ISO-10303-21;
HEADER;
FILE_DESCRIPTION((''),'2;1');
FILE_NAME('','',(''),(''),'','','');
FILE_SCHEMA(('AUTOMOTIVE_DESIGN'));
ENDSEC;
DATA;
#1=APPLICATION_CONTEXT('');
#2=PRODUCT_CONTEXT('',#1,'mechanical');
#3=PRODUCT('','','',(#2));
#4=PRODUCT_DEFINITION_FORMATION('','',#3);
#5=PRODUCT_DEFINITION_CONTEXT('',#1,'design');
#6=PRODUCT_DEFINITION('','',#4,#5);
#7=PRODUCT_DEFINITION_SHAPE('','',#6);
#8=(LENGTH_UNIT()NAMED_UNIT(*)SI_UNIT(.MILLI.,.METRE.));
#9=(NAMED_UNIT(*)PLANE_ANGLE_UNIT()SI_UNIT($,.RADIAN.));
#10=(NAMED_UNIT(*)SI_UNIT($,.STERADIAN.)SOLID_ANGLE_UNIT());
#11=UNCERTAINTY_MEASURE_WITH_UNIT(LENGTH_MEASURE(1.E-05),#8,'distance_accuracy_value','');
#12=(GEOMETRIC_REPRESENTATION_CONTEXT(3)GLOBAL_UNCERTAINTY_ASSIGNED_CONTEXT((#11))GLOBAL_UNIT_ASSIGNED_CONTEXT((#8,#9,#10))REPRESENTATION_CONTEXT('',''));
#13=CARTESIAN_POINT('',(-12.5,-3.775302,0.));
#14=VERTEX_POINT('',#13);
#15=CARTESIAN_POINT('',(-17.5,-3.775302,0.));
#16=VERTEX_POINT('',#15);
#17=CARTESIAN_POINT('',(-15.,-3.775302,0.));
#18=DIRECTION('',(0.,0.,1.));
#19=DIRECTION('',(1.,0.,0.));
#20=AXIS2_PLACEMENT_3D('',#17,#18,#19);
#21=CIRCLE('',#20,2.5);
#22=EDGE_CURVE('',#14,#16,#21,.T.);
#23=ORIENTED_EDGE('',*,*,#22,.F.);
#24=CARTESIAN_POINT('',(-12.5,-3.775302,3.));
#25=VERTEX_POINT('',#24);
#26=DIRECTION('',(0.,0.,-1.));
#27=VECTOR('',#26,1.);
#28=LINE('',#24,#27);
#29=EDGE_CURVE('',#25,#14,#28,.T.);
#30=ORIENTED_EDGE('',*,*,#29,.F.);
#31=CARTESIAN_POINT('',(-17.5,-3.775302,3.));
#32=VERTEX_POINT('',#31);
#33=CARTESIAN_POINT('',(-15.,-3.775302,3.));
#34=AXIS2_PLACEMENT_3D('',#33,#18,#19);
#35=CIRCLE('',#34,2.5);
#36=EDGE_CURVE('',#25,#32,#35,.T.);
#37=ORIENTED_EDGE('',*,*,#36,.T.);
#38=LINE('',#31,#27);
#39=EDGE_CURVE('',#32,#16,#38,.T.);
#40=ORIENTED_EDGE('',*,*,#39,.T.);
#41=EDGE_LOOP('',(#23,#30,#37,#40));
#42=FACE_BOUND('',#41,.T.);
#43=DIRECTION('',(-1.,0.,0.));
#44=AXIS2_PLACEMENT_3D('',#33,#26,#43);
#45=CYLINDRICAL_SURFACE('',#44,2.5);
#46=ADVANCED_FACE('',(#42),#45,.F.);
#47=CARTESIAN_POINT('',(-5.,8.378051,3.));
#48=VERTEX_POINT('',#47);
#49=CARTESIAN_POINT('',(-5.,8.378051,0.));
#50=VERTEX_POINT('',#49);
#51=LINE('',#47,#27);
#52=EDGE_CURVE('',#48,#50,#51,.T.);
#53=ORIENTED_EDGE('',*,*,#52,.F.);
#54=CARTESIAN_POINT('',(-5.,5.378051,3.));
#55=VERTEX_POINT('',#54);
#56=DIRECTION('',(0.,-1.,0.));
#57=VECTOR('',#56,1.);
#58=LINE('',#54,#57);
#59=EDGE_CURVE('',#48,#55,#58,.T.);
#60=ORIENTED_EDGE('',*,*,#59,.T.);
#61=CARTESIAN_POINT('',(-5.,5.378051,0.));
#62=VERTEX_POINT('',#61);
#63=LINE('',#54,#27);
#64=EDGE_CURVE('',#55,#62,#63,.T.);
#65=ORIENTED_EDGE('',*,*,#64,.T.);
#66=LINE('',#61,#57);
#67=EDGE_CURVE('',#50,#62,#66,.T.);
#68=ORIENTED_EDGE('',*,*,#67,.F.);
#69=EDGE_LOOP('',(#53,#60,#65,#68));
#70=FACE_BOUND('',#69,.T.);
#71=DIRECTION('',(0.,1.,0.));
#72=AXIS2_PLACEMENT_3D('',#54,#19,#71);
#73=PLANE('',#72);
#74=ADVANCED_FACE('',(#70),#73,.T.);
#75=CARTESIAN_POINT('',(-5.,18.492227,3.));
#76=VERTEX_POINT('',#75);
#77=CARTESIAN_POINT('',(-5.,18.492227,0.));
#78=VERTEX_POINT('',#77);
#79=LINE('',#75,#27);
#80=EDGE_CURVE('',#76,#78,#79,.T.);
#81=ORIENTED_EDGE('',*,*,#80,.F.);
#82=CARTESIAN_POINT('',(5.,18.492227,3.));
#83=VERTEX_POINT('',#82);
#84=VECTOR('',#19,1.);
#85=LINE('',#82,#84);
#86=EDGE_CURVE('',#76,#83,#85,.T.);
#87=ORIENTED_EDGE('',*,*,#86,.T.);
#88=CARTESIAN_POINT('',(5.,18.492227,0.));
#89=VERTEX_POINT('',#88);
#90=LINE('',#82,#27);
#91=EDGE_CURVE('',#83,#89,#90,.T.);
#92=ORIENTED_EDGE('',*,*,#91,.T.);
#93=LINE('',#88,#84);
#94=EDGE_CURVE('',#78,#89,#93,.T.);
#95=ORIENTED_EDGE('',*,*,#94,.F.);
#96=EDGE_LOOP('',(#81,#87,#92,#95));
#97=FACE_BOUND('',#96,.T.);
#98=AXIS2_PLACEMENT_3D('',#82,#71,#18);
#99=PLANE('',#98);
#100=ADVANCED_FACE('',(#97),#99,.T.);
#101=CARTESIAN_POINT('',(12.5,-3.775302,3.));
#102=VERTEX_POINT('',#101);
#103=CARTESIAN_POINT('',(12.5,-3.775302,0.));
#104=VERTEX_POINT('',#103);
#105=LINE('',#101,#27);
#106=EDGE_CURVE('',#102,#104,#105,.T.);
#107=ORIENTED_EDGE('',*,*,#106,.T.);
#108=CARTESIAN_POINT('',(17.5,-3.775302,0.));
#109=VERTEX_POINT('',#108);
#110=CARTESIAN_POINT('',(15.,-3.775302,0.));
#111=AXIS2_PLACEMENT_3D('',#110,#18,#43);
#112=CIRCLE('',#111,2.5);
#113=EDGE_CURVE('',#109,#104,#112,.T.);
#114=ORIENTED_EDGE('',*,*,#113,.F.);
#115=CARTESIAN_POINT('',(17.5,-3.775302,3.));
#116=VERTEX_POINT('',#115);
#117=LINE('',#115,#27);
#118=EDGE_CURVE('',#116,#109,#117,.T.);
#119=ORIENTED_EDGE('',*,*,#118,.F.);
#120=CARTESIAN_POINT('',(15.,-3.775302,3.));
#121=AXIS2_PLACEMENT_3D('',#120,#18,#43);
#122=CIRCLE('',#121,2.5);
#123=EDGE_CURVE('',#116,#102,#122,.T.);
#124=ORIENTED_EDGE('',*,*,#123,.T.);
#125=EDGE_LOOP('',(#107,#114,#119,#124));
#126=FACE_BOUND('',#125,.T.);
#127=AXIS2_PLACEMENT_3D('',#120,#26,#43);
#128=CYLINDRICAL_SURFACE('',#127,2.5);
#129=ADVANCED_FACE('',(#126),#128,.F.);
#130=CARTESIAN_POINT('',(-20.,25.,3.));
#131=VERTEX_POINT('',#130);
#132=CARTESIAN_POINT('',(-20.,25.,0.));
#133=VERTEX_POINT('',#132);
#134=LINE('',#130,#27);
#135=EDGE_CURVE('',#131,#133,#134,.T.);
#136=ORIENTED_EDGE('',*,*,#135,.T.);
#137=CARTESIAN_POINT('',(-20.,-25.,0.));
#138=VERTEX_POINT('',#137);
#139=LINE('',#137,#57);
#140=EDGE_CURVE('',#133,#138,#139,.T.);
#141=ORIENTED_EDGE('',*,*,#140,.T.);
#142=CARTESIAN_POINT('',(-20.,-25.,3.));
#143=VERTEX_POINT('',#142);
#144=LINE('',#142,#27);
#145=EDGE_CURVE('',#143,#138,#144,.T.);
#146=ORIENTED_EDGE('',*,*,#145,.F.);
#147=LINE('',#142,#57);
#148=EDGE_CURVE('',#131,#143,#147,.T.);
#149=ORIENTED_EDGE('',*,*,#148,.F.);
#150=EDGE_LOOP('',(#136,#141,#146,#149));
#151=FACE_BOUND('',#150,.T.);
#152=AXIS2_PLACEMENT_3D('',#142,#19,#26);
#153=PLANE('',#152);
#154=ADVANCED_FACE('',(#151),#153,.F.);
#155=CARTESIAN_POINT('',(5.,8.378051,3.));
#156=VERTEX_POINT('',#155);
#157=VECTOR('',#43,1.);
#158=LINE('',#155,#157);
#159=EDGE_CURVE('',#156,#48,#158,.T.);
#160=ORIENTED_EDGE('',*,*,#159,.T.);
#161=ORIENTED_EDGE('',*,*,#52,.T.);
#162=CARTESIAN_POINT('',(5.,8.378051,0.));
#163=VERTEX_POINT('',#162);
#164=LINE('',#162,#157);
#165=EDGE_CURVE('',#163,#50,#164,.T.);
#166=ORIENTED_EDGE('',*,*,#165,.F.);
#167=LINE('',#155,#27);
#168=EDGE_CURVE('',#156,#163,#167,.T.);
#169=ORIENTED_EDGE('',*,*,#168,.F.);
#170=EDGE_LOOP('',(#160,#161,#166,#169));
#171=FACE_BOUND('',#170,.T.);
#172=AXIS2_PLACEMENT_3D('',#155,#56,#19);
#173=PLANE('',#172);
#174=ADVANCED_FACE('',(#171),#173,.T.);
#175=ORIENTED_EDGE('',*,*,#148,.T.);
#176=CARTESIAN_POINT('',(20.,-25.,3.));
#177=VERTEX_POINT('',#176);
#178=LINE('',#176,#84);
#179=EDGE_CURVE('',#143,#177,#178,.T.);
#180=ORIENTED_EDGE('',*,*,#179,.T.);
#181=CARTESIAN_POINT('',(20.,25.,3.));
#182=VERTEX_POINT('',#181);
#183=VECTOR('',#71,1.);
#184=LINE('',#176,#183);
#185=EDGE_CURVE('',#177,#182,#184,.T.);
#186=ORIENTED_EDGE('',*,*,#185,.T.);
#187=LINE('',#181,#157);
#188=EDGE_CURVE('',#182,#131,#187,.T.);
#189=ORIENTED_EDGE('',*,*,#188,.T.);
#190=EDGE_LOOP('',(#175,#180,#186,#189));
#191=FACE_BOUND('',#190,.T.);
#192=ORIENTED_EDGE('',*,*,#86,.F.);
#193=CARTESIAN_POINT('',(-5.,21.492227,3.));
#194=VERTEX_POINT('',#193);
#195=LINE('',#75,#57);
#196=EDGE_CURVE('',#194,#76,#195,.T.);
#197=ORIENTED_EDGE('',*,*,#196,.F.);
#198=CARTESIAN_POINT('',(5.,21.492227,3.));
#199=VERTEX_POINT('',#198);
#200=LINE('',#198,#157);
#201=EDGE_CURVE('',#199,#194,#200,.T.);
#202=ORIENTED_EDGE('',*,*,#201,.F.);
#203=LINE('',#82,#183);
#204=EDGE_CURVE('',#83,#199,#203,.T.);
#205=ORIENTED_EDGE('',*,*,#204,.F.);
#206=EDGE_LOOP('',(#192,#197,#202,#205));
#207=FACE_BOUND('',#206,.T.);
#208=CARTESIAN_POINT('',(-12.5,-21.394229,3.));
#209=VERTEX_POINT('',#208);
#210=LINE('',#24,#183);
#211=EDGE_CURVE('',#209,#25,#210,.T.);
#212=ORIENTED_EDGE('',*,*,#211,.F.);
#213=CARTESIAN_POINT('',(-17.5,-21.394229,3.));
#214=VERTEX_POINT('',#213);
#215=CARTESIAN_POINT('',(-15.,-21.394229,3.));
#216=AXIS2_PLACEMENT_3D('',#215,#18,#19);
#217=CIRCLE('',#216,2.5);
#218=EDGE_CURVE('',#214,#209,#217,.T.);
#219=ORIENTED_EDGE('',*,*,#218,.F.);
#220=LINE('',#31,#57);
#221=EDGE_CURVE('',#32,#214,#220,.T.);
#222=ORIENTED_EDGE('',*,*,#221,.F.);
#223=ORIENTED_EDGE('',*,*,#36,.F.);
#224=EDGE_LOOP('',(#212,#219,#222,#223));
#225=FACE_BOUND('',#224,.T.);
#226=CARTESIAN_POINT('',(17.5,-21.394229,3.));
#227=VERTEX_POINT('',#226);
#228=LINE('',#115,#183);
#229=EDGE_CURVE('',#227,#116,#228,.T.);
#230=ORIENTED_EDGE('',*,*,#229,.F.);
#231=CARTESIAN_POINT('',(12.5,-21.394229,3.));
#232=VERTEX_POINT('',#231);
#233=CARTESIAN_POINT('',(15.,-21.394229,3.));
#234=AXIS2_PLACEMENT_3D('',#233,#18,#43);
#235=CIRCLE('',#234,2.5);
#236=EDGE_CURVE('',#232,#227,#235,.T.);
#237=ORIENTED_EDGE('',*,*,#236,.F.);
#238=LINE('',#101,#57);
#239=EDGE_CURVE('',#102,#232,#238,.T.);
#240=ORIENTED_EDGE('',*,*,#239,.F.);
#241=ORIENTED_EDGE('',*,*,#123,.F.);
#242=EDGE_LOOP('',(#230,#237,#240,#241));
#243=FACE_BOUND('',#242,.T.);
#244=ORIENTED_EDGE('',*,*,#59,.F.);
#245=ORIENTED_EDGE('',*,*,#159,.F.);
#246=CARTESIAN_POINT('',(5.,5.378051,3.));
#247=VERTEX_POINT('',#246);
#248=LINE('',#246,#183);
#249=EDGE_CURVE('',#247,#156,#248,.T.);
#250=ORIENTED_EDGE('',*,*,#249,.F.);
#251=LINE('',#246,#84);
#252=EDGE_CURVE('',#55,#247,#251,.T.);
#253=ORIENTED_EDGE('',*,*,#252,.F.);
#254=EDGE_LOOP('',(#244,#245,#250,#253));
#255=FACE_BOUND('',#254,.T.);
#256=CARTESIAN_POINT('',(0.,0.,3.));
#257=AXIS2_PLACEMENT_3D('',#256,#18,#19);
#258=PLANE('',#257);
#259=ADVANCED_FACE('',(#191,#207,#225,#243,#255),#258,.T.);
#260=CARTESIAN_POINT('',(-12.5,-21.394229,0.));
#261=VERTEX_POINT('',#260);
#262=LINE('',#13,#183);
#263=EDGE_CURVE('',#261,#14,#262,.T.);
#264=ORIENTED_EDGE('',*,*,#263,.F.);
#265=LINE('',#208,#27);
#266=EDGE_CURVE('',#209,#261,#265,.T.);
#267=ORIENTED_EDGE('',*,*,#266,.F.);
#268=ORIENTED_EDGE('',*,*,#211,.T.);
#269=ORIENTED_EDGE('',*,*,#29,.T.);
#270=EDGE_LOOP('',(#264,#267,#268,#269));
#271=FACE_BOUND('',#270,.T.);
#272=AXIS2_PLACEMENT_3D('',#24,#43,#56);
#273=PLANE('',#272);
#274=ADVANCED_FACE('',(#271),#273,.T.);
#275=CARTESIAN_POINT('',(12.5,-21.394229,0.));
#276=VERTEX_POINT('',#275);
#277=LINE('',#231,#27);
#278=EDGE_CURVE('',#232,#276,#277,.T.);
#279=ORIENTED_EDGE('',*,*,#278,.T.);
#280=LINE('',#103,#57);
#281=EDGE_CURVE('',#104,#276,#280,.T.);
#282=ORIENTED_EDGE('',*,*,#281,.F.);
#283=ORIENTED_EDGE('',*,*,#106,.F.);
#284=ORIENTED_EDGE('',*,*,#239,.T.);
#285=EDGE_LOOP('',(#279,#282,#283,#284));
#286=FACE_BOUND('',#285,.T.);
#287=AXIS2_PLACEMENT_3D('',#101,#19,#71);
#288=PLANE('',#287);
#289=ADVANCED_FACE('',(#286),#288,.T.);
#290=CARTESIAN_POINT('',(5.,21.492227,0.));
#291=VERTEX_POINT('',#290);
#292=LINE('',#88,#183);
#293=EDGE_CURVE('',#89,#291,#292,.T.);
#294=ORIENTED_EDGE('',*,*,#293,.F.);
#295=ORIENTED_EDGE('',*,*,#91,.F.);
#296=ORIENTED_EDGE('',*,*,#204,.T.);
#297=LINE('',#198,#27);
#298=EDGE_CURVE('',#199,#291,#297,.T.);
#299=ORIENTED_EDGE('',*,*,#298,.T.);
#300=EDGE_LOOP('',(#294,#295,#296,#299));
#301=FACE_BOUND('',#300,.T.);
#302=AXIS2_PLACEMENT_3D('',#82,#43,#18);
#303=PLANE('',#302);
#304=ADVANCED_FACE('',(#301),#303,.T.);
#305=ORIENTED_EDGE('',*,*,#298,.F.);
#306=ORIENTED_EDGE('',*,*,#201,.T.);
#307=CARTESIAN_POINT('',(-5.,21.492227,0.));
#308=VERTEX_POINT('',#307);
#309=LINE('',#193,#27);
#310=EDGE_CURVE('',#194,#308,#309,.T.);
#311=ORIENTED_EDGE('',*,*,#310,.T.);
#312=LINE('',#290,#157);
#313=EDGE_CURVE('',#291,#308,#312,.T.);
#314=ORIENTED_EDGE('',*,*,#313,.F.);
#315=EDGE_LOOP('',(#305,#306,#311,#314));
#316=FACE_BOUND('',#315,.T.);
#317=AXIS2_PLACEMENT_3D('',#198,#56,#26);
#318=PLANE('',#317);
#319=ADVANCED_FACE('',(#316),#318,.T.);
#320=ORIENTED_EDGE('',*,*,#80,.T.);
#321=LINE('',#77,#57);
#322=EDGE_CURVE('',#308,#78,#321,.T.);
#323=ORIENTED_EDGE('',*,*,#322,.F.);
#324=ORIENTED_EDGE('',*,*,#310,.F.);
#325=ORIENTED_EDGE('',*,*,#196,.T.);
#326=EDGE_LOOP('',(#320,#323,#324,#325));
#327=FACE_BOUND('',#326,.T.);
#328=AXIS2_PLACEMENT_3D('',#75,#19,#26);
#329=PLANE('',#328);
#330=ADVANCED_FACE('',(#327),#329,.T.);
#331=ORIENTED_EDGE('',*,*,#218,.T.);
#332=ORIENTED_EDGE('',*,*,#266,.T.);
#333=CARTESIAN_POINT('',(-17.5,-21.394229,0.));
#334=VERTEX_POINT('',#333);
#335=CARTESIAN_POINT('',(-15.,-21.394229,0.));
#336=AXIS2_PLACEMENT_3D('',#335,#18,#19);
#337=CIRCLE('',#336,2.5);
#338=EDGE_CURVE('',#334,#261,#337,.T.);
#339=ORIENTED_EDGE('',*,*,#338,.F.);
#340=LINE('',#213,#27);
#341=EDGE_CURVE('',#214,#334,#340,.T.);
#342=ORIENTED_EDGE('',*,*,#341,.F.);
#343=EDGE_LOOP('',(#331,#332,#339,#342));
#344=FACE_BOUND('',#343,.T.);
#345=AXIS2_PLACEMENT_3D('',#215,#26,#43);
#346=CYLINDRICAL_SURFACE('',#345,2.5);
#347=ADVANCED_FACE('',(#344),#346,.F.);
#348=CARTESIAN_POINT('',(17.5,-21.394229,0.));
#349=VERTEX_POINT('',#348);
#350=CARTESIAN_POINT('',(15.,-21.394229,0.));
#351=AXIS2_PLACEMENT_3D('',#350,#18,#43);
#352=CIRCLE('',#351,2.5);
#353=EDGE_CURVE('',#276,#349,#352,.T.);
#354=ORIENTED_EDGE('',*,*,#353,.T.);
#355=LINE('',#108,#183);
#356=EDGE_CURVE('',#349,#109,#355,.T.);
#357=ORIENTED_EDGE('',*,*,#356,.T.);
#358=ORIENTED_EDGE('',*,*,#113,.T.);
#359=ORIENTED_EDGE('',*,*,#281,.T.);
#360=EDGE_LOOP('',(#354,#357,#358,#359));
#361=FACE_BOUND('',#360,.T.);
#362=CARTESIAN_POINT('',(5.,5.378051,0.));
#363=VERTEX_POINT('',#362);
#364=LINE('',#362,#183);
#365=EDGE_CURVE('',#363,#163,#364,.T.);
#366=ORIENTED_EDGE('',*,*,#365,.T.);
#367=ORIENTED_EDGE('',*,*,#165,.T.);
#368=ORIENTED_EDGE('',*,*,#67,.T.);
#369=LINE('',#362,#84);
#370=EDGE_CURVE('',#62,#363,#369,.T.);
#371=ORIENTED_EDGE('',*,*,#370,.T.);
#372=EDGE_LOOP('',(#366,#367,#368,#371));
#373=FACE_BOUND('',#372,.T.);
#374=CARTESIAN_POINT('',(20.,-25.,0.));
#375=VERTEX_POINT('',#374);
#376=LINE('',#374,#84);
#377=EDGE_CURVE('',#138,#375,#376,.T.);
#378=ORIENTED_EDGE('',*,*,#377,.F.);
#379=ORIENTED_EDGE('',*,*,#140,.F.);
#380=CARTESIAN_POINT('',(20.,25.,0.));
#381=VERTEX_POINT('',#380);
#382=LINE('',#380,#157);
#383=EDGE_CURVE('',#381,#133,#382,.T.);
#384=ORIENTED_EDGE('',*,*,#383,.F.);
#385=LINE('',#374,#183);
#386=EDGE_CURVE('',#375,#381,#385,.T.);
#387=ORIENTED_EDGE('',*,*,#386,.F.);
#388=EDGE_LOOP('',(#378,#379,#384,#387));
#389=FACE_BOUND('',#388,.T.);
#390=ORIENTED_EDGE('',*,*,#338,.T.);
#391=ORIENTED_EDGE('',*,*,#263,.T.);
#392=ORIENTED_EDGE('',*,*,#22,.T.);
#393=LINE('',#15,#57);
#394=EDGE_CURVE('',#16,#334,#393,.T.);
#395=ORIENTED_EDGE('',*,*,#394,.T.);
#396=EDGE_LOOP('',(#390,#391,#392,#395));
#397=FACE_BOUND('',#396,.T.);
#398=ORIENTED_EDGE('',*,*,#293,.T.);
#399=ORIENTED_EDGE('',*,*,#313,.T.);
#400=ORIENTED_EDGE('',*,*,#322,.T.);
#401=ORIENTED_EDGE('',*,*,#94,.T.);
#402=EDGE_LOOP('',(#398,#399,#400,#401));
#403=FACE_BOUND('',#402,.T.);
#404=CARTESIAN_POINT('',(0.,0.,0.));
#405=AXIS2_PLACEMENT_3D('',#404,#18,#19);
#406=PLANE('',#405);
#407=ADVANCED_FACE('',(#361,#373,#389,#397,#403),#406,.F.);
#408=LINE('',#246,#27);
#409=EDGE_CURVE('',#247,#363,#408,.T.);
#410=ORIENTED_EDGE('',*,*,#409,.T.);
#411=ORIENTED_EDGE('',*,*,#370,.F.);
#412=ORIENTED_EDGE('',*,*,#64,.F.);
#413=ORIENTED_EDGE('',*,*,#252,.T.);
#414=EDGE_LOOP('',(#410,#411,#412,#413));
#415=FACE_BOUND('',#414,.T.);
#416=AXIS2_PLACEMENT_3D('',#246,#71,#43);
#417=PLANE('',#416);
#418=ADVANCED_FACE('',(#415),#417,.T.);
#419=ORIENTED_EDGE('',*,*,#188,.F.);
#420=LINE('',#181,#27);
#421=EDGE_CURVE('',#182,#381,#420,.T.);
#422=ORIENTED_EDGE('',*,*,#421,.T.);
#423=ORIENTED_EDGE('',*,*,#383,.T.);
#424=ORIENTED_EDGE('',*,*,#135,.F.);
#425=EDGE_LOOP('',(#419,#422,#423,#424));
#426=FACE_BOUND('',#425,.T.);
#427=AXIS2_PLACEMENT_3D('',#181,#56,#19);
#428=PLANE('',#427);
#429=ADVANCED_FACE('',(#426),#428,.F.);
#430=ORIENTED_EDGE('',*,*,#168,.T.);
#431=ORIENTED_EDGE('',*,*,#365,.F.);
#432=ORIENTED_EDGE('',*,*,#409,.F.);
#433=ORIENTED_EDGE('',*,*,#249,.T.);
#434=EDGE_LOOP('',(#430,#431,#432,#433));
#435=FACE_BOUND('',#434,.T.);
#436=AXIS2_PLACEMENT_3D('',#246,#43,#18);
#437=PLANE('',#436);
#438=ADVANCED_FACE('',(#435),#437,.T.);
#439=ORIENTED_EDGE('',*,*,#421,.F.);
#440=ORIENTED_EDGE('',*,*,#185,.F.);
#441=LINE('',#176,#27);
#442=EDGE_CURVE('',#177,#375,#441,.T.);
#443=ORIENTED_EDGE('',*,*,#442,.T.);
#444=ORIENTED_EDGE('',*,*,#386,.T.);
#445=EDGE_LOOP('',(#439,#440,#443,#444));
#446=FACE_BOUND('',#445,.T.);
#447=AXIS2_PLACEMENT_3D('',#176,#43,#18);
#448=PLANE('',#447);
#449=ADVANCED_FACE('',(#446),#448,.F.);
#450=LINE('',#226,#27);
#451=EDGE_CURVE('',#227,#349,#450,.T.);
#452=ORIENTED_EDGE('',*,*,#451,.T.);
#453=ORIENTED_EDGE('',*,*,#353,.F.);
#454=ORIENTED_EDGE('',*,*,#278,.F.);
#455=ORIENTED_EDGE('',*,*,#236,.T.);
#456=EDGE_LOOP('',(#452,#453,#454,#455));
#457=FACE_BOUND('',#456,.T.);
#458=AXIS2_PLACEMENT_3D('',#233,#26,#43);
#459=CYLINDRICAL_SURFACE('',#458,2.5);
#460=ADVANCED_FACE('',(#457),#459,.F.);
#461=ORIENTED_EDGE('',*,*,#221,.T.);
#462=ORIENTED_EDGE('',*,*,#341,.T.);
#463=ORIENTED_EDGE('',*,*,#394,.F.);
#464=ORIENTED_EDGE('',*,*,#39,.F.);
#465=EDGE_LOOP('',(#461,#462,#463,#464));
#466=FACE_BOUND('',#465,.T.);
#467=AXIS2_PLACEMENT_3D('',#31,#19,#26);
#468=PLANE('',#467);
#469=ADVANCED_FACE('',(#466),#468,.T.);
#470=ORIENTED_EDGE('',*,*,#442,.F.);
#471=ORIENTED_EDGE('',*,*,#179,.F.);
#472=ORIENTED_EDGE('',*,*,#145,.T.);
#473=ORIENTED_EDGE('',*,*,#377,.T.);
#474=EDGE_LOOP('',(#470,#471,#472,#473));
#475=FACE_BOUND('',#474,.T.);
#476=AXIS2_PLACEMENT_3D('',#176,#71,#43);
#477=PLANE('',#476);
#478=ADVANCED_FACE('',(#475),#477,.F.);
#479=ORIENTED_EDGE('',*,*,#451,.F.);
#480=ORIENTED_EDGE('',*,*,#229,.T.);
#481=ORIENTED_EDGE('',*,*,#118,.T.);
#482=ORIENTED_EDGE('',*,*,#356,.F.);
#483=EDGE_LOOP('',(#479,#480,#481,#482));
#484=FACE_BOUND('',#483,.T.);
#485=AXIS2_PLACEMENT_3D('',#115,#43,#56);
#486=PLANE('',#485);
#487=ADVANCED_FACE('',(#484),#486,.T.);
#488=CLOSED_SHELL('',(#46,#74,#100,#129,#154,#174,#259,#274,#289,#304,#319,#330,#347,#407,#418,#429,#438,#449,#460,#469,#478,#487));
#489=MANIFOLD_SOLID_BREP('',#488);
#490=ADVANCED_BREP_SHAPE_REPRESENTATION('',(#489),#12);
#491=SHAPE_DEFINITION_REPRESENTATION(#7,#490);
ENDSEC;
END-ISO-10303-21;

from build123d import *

# Parameters (mm, degrees)
SKETCH1_W           = 40
SKETCH1_H           = 50
SKETCH1_W_2         = 10
SKETCH1_H_2         = 3
BOSS_EXTRUDE1_DEPTH = 3


with BuildPart() as part:
    # Sketch1 → Boss-Extrude1 (new body)
    with BuildSketch(Plane.XY):
        Rectangle(SKETCH1_W, SKETCH1_H)
        with Locations((0, 19.992227475)):
            Rectangle(SKETCH1_W_2, SKETCH1_H_2, mode=Mode.SUBTRACT)
        with Locations((0, 6.878051322)):
            Rectangle(SKETCH1_W_2, SKETCH1_H_2, mode=Mode.SUBTRACT)
        with BuildLine():
            Line((-12.5, -3.7753024), (-12.5, -21.394229107))
            ThreePointArc((-12.5, -21.394229107), (-15, -23.894229107), (-17.5, -21.394229107))
            Line((-17.5, -21.394229107), (-17.5, -3.7753024))
            ThreePointArc((-17.5, -3.7753024), (-15, -1.2753024), (-12.5, -3.7753024))
        make_face(mode=Mode.SUBTRACT)
        with BuildLine():
            Line((12.5, -3.7753024), (12.5, -21.394229107))
            ThreePointArc((12.5, -21.394229107), (15, -23.894229107), (17.5, -21.394229107))
            Line((17.5, -21.394229107), (17.5, -3.7753024))
            ThreePointArc((17.5, -3.7753024), (15, -1.2753024), (12.5, -3.7753024))
        make_face(mode=Mode.SUBTRACT)
    extrude(amount=BOSS_EXTRUDE1_DEPTH)


solid = part.part
